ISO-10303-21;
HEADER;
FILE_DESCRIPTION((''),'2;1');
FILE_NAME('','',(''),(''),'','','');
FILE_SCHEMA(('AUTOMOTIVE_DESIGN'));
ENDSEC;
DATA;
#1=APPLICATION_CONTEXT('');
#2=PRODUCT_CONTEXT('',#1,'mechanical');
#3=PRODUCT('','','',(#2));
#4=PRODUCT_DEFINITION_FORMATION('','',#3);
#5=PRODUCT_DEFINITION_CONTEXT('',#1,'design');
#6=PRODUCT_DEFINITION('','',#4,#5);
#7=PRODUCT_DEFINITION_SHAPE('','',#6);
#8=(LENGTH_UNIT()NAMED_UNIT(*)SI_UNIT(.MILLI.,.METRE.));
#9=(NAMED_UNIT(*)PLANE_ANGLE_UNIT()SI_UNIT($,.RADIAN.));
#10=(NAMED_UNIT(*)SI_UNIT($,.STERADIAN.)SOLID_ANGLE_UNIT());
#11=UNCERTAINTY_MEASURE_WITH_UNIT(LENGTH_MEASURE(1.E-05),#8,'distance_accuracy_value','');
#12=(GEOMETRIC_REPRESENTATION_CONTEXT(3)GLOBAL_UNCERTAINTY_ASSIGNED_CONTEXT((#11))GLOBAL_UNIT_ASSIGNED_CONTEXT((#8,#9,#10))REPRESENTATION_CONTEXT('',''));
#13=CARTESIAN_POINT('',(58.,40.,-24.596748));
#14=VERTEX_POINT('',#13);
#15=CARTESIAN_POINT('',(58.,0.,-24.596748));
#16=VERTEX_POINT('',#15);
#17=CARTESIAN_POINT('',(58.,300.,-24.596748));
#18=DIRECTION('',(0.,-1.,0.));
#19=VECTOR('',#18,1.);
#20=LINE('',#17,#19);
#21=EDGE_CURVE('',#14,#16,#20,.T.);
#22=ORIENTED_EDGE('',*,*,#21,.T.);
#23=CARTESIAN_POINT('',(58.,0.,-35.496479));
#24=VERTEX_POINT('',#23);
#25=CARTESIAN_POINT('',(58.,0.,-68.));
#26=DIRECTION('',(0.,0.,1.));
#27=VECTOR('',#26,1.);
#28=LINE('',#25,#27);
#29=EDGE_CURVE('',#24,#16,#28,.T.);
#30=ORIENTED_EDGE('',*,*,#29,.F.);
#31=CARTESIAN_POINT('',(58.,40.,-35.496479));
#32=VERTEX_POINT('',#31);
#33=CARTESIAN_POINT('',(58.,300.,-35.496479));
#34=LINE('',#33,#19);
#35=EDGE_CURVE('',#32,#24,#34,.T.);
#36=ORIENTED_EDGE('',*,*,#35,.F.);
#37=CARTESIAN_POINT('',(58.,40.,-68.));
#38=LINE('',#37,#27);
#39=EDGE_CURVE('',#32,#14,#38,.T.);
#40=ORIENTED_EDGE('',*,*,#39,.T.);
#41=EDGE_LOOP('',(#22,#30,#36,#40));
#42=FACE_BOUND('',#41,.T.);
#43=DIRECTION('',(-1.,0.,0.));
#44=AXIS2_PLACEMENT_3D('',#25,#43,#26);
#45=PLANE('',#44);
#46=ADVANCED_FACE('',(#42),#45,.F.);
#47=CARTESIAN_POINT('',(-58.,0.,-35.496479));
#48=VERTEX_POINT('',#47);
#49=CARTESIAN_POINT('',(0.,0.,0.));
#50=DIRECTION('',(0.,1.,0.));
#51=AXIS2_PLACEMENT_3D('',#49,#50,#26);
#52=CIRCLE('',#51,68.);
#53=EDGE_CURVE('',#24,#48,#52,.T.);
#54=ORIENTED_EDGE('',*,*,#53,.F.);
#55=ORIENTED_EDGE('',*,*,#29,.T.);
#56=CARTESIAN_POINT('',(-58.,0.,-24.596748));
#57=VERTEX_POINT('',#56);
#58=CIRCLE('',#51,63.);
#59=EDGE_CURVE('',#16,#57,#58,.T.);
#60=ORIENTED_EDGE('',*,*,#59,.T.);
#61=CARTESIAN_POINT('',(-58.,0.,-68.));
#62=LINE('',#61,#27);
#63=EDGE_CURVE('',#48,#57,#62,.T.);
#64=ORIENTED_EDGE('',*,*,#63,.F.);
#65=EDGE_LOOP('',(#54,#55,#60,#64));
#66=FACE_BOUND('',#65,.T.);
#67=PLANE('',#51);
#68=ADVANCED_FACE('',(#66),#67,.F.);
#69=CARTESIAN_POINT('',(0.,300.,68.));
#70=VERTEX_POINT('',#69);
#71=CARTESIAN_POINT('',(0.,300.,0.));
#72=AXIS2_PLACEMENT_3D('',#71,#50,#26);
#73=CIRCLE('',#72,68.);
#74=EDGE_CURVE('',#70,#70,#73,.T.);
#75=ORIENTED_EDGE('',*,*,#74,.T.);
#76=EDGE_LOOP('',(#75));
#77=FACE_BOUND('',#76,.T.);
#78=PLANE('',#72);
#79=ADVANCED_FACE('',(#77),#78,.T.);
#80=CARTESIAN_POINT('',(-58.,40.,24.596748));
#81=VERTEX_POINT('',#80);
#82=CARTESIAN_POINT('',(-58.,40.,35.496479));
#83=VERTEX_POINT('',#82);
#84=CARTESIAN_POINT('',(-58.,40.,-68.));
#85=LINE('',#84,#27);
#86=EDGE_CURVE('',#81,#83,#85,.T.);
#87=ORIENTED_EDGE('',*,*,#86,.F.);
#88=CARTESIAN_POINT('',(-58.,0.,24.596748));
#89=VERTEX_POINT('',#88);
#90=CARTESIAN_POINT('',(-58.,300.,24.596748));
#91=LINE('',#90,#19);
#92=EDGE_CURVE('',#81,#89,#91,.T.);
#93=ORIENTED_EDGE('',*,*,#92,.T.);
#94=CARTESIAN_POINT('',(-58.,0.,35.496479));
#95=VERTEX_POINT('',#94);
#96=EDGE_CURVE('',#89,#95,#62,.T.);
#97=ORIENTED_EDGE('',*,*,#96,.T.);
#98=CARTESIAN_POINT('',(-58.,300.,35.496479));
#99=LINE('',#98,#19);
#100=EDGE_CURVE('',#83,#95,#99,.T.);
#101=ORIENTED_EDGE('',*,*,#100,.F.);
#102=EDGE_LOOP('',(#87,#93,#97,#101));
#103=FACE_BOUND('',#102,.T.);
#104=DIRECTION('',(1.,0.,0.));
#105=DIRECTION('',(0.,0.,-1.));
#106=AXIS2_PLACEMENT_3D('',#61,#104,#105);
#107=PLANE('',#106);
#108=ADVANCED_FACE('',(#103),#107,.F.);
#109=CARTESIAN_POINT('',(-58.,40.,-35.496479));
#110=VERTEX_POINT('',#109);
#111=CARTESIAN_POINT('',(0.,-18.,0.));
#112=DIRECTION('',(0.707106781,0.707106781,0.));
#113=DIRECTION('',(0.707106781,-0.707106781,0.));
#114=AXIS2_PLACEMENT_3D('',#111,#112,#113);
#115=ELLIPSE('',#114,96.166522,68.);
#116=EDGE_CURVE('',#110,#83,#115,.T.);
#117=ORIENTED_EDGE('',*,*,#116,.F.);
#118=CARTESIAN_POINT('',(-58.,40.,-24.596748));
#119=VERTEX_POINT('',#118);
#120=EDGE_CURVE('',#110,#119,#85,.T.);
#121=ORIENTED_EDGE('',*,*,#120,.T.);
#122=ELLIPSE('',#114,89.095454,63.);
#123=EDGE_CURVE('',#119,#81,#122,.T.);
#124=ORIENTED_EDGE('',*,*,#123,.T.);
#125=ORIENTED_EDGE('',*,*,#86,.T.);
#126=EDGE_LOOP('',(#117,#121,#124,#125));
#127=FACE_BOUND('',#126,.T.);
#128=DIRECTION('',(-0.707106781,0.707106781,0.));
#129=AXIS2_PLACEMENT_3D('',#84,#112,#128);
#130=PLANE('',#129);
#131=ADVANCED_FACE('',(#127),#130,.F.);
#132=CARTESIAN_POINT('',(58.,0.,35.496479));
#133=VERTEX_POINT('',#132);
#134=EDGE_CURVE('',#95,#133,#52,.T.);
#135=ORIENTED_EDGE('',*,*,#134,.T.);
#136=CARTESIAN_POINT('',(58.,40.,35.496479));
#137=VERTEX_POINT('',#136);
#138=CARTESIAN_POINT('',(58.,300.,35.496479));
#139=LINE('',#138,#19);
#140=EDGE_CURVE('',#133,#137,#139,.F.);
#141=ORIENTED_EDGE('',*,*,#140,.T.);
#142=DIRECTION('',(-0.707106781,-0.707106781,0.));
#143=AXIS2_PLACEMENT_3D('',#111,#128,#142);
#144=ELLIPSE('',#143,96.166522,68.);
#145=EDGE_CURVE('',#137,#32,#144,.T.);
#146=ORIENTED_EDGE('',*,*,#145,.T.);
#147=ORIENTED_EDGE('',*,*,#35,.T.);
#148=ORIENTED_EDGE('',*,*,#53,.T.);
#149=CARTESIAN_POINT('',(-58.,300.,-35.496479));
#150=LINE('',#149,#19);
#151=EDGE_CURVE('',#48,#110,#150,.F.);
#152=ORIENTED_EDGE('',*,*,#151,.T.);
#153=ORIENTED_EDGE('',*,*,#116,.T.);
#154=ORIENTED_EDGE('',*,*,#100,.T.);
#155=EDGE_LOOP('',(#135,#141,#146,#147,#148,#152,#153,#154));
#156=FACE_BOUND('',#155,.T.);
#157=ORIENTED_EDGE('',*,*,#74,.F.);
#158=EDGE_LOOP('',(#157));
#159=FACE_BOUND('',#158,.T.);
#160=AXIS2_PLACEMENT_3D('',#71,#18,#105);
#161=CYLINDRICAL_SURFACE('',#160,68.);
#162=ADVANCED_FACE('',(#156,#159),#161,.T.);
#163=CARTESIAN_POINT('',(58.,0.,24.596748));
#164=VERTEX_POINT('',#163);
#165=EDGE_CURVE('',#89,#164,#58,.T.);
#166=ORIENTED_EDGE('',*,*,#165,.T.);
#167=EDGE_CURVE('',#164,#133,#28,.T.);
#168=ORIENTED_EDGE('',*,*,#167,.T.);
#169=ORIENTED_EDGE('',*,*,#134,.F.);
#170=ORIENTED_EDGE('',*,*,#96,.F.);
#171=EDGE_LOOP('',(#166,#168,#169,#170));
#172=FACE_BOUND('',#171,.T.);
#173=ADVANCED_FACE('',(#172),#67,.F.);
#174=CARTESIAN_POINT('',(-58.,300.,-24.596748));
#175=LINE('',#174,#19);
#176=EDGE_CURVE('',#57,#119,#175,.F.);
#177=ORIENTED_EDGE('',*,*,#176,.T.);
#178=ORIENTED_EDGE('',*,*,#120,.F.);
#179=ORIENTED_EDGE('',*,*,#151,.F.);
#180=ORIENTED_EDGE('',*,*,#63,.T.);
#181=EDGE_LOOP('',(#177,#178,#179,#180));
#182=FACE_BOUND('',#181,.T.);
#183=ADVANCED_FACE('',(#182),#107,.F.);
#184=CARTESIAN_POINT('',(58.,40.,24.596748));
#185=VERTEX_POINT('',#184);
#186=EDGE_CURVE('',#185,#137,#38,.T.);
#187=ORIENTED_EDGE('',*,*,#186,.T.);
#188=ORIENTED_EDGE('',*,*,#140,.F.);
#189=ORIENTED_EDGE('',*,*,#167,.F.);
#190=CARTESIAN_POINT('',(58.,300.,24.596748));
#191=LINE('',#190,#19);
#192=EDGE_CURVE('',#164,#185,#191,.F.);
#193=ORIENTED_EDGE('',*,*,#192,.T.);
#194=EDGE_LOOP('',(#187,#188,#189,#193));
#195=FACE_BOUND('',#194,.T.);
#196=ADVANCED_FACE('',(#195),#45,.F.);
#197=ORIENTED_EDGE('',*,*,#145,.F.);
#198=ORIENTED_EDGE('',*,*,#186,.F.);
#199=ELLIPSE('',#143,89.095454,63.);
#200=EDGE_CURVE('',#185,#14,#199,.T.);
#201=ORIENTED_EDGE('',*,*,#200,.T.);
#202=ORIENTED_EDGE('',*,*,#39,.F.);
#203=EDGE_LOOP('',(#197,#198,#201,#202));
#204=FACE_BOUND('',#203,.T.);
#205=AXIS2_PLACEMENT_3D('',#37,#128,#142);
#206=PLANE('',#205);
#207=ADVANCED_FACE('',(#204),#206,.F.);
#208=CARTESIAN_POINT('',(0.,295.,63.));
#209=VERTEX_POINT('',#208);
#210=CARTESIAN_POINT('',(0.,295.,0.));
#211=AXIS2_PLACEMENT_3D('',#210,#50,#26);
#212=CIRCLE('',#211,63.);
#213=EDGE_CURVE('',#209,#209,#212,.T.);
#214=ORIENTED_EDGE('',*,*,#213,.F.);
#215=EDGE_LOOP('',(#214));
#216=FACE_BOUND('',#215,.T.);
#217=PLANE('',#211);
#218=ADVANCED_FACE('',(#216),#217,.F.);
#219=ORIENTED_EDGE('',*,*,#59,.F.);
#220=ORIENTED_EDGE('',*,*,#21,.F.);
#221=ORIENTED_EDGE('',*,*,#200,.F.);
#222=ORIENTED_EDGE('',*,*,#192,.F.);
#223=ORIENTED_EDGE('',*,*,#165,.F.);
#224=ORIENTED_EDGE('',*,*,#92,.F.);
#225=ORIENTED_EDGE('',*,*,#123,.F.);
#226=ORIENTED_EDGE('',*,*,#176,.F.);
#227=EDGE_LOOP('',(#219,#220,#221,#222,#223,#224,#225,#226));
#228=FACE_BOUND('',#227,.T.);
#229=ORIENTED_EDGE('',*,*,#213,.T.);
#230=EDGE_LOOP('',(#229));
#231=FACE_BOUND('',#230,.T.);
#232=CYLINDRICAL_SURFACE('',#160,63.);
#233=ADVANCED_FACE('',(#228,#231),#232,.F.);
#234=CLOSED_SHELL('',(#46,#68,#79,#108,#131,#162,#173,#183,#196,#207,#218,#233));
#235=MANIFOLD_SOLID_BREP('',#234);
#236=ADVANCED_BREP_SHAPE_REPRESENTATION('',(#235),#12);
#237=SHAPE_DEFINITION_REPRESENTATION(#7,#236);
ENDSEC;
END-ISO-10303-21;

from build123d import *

# Parameters (mm, degrees)
SKETCH3_R               = 68
BOSS_EXTRUDE1_DEPTH     = 300
SHELL1_T                = -5
CUT_EXTRUDE3_DEPTH      = 316.036505821
CUT_EXTRUDE3_DEPTH_BACK = 316.036505821


with BuildPart() as part:
    # Sketch3 → Boss-Extrude1 (new body)
    with BuildSketch(Plane(origin=(0, 0, 0), x_dir=(1, 0, 0), z_dir=(0, 1, 0))):
        Circle(SKETCH3_R)
    extrude(amount=BOSS_EXTRUDE1_DEPTH)

    # Shell1
    shell1_openings = [part.faces().sort_by_distance(p)[0] for p in [
        (0, 0, 0),
    ]]
    offset(amount=SHELL1_T, openings=shell1_openings, kind=Kind.INTERSECTION)

    # Sketch8 → Cut-Extrude3 (cut, two sides: drawn at the far end of the back side and taken through both)
    with BuildSketch(Plane.XY.offset(-CUT_EXTRUDE3_DEPTH_BACK)):
        Polygon((-68, 0), (-58, 0), (-58, 40), (-68, 50), align=None)
        Polygon((68, 0), (58, 0), (58, 40), (68, 50), align=None)
    extrude(amount=CUT_EXTRUDE3_DEPTH + CUT_EXTRUDE3_DEPTH_BACK, mode=Mode.SUBTRACT)


solid = part.part
